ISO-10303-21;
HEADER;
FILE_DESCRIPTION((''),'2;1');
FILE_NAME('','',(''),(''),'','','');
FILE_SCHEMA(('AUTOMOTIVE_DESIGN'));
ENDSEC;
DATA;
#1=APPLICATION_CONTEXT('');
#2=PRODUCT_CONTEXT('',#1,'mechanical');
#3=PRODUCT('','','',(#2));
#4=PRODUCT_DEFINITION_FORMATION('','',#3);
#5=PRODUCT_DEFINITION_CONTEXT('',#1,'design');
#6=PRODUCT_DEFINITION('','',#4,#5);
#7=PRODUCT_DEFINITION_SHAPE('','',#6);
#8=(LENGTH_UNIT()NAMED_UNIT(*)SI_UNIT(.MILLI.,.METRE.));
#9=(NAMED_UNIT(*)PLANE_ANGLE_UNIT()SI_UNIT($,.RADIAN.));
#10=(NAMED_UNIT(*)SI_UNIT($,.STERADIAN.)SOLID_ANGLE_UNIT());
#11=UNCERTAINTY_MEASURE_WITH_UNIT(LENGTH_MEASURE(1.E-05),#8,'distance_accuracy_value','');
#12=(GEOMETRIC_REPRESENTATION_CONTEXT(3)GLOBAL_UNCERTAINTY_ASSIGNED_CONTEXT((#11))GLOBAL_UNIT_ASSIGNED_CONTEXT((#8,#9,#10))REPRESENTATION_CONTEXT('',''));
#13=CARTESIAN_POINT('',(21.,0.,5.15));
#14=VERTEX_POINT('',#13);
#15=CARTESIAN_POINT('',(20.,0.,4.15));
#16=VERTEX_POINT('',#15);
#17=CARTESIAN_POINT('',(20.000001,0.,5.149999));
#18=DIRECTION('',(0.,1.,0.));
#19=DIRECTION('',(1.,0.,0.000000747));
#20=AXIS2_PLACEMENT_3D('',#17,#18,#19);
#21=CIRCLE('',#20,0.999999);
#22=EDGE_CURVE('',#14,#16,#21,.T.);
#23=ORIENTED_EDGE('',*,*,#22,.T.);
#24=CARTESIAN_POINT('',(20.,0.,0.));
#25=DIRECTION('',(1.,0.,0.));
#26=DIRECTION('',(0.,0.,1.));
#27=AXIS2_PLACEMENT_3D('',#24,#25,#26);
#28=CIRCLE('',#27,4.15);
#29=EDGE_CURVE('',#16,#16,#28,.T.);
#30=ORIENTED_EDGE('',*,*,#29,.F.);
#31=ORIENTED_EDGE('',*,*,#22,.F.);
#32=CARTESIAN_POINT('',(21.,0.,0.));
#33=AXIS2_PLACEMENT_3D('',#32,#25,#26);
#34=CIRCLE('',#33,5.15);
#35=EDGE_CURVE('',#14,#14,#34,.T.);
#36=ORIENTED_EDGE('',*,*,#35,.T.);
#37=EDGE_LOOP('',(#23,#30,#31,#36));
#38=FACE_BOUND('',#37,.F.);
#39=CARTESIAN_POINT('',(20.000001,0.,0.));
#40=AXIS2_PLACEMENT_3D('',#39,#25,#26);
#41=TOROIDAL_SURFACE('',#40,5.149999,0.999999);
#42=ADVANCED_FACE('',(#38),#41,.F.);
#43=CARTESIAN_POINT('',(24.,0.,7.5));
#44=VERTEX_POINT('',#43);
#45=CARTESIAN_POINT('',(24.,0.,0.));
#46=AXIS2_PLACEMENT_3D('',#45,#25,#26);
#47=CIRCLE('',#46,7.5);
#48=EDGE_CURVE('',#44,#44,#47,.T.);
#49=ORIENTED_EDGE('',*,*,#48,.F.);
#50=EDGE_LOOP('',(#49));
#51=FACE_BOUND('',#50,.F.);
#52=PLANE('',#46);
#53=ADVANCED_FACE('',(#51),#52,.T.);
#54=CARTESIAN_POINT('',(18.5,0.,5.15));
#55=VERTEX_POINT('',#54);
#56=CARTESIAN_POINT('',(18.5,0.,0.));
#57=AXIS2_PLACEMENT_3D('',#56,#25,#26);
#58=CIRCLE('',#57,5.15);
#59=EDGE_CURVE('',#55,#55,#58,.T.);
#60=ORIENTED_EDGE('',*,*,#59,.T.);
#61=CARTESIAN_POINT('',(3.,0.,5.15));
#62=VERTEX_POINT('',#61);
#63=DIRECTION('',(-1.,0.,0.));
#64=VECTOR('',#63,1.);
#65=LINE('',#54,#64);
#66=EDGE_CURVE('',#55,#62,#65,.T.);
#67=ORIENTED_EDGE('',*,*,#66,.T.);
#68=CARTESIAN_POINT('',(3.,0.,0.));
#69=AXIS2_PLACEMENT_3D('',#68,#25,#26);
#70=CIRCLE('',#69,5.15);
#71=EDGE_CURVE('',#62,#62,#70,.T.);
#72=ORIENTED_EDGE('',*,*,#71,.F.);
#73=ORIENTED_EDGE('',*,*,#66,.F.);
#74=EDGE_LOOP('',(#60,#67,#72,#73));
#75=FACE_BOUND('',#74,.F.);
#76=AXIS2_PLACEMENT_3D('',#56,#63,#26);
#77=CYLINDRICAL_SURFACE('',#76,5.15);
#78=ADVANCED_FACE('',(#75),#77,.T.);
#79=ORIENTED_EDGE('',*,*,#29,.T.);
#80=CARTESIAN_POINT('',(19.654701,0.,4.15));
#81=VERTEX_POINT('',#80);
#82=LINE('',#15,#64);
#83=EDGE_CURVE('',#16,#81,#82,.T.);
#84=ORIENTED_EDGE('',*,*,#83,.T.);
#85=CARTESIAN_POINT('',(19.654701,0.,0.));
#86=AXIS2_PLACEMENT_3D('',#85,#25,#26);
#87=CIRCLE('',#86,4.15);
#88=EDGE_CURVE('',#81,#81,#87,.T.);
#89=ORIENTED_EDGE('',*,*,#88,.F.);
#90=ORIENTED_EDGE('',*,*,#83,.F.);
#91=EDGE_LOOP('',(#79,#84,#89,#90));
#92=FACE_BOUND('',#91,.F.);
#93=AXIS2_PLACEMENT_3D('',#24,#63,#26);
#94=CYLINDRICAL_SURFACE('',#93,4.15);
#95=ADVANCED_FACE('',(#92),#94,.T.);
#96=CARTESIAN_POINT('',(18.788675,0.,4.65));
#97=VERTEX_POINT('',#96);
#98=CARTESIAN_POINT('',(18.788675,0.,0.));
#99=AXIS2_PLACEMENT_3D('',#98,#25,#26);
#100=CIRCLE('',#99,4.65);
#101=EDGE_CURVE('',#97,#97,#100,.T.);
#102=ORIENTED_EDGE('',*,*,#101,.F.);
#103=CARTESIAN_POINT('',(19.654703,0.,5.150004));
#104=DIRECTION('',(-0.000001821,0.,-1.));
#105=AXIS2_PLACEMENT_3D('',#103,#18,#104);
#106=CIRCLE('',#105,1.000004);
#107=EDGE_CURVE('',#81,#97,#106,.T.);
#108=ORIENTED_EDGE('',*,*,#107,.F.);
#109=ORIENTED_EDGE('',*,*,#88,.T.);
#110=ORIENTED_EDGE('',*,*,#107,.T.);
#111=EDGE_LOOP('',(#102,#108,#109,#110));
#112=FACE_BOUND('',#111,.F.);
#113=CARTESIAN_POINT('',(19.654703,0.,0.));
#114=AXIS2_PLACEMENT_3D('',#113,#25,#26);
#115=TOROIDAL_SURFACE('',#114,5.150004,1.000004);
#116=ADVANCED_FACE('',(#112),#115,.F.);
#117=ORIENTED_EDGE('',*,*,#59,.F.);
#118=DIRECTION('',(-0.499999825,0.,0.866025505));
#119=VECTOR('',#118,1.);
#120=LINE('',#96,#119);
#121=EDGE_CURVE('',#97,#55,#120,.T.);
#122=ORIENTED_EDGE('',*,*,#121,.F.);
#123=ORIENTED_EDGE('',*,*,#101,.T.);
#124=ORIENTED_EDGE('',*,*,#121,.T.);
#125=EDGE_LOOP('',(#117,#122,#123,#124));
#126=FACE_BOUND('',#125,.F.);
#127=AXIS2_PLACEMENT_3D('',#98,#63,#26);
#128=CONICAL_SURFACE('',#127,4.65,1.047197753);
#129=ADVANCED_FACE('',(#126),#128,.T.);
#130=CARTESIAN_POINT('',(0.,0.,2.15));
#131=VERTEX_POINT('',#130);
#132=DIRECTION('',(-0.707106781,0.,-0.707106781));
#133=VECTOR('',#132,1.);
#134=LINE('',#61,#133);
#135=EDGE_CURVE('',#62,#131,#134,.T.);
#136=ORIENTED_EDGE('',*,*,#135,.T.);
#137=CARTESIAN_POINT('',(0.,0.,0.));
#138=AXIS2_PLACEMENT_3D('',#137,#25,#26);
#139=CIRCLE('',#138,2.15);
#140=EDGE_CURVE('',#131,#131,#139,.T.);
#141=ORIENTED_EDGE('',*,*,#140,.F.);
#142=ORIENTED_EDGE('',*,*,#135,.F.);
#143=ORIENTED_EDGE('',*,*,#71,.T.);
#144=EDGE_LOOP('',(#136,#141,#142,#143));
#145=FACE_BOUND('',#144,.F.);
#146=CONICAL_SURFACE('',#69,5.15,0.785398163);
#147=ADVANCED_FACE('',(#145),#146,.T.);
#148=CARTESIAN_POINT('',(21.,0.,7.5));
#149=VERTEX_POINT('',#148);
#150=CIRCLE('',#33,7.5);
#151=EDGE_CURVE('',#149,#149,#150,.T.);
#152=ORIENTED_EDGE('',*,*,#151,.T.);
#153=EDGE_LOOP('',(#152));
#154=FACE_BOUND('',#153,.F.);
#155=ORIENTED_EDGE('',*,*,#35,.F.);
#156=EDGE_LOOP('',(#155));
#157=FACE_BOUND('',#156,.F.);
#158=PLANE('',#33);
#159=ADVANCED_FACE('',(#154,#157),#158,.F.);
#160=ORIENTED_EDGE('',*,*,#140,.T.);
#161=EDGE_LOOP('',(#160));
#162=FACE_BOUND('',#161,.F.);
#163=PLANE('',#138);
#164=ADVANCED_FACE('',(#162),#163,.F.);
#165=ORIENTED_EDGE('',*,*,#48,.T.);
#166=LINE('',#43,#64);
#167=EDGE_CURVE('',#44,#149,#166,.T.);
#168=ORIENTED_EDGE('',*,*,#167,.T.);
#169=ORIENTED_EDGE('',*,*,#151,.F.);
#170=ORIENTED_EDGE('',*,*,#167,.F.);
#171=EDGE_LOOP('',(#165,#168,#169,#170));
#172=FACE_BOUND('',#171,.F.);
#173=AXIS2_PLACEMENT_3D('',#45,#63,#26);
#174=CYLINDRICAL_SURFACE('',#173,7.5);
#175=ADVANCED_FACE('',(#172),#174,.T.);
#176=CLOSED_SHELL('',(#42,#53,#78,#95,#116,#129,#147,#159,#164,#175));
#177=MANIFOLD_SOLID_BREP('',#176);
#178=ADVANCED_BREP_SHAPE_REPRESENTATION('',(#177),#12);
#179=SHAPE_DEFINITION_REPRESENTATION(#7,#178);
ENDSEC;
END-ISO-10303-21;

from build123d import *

# Parameters (mm, degrees)
F2_SIZE2 = 3
F2_SIZE  = 3


with BuildPart() as f1:
    # F0 (on Front) → F1 (revolve)
    with BuildSketch(Plane.XZ):
        with BuildLine():
            Line((18.5, 5.15), (0, 5.15))
            Line((0, 5.15), (0, 0))
            Line((0, 0), (24, 0))
            Line((24, 0), (24, 7.5))
            Line((24, 7.5), (21, 7.5))
            Line((21, 7.5), (21, 5.15))
            ThreePointArc((21, 5.15), (20.707107, 4.442893), (20, 4.15))
            Line((20, 4.15), (19.654701, 4.15))
            ThreePointArc((19.654701, 4.15), (19.154701, 4.283975), (18.788675, 4.65))
            Line((18.788675, 4.65), (18.5, 5.15))
        make_face()
    revolve(axis=Axis((12.35421, 0, 0), (1, 0, 0)))

    # F2
    f2_edges = [f1.edges().sort_by_distance(p)[0] for p in [
        (0, 0, -5.15),
    ]]
    chamfer(f2_edges, length=F2_SIZE, length2=F2_SIZE2)


solid = f1.part
